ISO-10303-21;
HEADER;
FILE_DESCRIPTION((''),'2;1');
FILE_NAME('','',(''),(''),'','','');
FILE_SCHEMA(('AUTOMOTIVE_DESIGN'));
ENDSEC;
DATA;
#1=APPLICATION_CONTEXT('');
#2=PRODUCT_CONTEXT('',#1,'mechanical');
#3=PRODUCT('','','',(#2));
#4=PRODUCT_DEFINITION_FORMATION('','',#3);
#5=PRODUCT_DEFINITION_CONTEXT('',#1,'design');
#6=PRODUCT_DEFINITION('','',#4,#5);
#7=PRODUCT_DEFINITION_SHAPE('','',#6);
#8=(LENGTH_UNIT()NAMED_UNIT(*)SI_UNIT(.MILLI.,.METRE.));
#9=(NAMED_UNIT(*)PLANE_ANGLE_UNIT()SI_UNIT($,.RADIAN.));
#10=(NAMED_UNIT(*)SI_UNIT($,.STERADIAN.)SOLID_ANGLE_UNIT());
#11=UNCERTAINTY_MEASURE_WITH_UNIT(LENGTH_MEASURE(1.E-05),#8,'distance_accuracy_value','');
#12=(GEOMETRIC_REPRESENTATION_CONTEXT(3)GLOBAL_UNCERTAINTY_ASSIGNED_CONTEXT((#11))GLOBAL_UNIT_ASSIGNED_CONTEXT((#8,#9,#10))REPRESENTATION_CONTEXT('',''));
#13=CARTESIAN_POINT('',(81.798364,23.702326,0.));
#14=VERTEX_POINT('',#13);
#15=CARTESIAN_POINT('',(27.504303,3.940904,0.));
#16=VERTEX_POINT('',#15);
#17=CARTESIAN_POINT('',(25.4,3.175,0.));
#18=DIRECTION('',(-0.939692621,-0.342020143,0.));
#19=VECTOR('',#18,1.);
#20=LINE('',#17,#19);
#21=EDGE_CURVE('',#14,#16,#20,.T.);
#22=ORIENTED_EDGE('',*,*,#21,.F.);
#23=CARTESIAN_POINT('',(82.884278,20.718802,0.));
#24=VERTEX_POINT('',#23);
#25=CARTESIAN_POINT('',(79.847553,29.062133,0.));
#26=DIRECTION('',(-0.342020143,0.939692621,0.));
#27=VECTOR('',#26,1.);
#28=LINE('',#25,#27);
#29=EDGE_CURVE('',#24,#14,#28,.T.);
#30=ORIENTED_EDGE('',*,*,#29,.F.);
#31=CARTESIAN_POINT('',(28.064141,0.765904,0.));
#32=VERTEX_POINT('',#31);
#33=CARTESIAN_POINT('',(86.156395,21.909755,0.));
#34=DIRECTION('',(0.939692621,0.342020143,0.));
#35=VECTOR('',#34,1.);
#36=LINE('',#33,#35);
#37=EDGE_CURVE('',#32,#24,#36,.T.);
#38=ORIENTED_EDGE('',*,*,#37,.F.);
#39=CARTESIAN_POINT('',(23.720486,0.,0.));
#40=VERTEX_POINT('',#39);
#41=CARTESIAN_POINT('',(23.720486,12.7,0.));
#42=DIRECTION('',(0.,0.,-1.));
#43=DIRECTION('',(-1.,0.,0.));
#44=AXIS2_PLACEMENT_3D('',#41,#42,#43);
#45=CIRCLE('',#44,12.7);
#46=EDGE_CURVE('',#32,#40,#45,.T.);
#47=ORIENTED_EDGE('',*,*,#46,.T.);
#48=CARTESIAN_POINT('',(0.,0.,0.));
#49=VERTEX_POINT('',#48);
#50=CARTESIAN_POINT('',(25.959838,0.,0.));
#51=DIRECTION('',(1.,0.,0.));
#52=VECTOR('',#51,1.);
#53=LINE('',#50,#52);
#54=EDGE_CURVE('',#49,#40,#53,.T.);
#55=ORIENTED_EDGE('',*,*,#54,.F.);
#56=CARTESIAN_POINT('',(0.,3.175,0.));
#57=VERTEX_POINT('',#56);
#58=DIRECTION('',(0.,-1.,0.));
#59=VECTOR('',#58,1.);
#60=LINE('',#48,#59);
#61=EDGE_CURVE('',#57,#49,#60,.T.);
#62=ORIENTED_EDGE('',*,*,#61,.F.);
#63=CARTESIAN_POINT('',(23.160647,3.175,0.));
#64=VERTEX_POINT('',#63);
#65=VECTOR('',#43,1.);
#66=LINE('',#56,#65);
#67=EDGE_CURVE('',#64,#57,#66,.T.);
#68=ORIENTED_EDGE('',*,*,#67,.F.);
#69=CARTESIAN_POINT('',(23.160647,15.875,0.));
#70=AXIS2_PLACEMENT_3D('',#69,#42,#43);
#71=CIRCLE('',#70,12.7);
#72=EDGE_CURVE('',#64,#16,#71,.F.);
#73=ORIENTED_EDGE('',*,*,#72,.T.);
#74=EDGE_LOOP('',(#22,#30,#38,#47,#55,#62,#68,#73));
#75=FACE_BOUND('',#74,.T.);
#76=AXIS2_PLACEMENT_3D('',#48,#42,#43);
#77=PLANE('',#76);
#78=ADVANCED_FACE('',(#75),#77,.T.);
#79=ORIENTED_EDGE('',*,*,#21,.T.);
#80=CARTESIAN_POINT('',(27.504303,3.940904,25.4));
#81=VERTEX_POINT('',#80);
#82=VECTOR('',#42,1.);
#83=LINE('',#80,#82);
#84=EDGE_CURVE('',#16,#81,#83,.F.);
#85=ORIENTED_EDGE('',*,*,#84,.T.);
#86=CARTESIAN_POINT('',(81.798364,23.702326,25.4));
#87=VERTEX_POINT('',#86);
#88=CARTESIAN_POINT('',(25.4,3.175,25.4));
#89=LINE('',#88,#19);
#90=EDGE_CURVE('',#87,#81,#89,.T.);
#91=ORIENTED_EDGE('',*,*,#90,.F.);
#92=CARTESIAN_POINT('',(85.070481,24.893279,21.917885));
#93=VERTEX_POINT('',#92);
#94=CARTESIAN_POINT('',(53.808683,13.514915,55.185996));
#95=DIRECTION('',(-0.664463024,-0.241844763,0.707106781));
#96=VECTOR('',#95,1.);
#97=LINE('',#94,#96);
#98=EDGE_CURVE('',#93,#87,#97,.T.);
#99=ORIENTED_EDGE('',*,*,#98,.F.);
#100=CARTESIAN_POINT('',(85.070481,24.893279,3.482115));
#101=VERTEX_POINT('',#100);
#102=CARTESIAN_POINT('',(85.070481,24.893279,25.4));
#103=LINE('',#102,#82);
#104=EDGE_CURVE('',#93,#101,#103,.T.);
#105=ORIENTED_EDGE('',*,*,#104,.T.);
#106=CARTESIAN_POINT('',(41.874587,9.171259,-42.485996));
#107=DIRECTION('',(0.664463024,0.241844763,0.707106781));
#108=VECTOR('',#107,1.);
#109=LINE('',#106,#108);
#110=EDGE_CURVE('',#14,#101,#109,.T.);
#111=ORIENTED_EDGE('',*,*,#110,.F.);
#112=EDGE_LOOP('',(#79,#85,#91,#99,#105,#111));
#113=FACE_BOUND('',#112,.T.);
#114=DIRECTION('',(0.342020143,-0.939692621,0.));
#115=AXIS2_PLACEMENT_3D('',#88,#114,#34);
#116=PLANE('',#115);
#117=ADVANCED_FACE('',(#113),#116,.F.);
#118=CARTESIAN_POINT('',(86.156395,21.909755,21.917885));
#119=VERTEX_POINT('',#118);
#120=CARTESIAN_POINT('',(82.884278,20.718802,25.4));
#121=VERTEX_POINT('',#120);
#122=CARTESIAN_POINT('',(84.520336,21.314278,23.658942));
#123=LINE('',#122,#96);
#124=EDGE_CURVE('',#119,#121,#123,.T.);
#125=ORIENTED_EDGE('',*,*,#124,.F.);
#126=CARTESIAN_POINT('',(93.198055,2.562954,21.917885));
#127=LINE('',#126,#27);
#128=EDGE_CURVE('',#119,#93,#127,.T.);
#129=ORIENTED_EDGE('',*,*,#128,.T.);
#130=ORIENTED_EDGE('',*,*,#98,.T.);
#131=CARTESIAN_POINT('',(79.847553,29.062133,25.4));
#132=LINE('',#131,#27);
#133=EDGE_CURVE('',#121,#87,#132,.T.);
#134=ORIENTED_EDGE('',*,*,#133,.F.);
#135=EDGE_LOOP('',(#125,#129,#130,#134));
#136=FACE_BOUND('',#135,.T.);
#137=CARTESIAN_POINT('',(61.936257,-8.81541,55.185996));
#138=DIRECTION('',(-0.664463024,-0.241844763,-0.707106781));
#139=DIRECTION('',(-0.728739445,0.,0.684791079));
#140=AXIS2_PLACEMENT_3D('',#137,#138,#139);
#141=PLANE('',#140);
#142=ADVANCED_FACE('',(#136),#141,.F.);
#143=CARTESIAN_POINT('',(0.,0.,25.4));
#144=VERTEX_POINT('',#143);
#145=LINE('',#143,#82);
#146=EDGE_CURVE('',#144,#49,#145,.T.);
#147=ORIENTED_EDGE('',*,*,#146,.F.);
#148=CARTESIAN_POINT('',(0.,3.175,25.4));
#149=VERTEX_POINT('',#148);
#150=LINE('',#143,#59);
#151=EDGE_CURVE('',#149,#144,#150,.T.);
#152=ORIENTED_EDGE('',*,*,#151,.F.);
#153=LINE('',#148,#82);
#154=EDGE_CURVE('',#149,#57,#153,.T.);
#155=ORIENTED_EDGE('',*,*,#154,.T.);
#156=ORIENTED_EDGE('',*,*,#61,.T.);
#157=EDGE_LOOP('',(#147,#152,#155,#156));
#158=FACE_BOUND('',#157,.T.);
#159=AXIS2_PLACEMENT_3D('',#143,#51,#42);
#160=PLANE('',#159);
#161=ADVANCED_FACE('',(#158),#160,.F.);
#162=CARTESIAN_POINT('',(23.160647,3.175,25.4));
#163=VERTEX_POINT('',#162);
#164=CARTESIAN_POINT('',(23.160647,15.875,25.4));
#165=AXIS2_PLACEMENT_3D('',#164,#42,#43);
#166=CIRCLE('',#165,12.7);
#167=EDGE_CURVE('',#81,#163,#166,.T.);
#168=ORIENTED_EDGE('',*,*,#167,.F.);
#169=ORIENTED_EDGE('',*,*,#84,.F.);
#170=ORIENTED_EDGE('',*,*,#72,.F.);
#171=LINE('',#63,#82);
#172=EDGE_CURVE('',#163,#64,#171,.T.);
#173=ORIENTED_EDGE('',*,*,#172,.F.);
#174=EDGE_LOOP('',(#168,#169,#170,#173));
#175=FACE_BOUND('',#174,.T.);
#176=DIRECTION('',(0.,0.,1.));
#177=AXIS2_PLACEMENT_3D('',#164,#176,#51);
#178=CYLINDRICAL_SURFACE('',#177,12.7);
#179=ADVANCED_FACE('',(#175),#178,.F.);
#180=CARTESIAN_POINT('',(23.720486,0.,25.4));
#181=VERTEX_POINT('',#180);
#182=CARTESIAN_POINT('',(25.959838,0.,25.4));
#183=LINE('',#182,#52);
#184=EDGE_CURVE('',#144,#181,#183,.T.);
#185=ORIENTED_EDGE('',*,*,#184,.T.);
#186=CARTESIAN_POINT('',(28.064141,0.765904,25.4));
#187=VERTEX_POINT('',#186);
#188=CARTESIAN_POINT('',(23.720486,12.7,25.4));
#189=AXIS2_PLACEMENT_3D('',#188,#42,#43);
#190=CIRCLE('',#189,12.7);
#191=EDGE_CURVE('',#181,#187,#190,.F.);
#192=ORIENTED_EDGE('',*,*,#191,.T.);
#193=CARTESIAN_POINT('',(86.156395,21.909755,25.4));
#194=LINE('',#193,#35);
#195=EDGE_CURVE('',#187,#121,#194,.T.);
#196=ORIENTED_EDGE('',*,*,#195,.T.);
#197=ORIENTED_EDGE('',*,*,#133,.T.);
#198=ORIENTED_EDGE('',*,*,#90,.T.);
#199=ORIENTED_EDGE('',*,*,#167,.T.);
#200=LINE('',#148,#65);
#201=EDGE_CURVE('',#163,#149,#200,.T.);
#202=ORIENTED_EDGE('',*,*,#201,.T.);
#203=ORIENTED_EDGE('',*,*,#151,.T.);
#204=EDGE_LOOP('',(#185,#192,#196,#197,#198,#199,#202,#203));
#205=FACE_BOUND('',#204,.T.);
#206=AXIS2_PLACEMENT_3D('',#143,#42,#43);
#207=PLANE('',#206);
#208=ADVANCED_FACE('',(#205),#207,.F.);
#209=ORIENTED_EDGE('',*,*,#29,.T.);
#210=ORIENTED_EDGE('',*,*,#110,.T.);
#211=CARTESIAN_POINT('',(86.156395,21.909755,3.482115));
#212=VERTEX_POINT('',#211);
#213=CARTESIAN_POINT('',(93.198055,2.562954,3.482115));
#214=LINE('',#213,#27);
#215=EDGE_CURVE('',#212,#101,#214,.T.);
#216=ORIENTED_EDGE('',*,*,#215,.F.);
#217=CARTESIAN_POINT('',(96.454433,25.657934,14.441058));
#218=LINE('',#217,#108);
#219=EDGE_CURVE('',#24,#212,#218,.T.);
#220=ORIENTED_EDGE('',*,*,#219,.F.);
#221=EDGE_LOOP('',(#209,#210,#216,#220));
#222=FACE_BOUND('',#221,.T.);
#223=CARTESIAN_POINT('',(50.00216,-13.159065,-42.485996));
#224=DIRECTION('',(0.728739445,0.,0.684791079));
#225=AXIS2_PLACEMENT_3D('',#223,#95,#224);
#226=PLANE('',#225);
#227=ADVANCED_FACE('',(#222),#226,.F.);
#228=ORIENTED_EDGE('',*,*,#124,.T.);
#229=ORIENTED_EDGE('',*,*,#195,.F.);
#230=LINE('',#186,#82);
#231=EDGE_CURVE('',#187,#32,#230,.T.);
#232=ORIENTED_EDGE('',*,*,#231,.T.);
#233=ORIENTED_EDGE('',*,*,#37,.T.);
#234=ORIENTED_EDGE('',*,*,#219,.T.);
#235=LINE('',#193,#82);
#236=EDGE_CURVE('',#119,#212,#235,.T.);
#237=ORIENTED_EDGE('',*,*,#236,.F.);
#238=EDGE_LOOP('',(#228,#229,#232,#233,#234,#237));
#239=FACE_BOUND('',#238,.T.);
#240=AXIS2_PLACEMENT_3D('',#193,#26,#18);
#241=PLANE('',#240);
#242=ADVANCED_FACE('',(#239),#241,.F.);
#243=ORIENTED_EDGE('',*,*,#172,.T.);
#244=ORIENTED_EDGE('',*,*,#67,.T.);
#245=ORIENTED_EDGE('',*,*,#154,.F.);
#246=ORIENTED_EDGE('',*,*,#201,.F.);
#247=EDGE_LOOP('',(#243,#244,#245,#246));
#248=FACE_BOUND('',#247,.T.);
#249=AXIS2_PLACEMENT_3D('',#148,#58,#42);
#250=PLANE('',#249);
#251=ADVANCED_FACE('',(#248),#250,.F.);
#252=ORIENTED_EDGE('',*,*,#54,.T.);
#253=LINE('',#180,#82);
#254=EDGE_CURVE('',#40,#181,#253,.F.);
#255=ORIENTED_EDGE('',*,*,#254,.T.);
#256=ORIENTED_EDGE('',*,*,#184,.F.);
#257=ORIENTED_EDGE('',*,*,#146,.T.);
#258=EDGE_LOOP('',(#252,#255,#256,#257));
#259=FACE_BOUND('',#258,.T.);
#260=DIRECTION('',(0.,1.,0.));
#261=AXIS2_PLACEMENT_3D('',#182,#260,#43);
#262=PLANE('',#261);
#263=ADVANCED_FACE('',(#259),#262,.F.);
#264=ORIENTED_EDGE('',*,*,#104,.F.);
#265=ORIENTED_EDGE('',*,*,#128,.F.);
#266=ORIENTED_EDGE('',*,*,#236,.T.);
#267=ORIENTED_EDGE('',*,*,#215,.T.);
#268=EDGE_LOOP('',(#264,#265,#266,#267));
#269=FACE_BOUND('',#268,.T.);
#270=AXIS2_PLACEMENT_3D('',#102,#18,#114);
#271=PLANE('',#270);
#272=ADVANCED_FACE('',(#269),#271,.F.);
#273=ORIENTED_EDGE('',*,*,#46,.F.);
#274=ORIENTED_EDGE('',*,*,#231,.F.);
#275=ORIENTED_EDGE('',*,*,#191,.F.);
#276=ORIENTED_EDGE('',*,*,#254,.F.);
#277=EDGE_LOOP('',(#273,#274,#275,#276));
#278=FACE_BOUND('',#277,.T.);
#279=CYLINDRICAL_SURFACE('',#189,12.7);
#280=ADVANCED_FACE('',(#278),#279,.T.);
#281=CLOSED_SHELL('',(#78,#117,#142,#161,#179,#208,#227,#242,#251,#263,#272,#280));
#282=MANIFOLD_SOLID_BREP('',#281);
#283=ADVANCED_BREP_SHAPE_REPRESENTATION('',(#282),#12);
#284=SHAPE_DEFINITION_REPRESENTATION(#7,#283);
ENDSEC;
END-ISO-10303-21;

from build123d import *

# Parameters (mm, degrees)
BOSS_EXTRUDE1_DEPTH = 25.4
FILLET1_R           = 12.7
CUT_EXTRUDE1_DEPTH  = 94.010697189


with BuildPart() as part:
    # Sketch2 → Boss-Extrude1 (new body)
    with BuildSketch(Plane.XY):
        Polygon((0, 0), (0, 3.175), (25.4, 3.175), (85.07048142, 24.893279101), (86.156395375, 21.90975503), (25.959838164, 0), align=None)
    extrude(amount=BOSS_EXTRUDE1_DEPTH)

    # Fillet1
    fillet1_edges = [part.edges().sort_by_distance(p)[0] for p in [
        (25.4, 3.175, 12.7),
        (25.959838164, 0, 12.7),
    ]]
    fillet(fillet1_edges, radius=FILLET1_R)

    # Sketch3 → Cut-Extrude1 (cut, through all)
    with BuildSketch(Plane(origin=(1.950810242, -5.35980709, 0), x_dir=(0.9396926207859078, 0.3420201433256703, 0), z_dir=(-0.3420201433256703, 0.9396926207859079, 0))):
        Polygon((88.454106523, 0), (84.971991459, 0), (88.454106523, -3.482115064), align=None)
        Polygon((88.454106523, -25.4), (88.454106523, -21.917884936), (84.971991459, -25.4), align=None)
    extrude(amount=-CUT_EXTRUDE1_DEPTH, mode=Mode.SUBTRACT)


solid = part.part
